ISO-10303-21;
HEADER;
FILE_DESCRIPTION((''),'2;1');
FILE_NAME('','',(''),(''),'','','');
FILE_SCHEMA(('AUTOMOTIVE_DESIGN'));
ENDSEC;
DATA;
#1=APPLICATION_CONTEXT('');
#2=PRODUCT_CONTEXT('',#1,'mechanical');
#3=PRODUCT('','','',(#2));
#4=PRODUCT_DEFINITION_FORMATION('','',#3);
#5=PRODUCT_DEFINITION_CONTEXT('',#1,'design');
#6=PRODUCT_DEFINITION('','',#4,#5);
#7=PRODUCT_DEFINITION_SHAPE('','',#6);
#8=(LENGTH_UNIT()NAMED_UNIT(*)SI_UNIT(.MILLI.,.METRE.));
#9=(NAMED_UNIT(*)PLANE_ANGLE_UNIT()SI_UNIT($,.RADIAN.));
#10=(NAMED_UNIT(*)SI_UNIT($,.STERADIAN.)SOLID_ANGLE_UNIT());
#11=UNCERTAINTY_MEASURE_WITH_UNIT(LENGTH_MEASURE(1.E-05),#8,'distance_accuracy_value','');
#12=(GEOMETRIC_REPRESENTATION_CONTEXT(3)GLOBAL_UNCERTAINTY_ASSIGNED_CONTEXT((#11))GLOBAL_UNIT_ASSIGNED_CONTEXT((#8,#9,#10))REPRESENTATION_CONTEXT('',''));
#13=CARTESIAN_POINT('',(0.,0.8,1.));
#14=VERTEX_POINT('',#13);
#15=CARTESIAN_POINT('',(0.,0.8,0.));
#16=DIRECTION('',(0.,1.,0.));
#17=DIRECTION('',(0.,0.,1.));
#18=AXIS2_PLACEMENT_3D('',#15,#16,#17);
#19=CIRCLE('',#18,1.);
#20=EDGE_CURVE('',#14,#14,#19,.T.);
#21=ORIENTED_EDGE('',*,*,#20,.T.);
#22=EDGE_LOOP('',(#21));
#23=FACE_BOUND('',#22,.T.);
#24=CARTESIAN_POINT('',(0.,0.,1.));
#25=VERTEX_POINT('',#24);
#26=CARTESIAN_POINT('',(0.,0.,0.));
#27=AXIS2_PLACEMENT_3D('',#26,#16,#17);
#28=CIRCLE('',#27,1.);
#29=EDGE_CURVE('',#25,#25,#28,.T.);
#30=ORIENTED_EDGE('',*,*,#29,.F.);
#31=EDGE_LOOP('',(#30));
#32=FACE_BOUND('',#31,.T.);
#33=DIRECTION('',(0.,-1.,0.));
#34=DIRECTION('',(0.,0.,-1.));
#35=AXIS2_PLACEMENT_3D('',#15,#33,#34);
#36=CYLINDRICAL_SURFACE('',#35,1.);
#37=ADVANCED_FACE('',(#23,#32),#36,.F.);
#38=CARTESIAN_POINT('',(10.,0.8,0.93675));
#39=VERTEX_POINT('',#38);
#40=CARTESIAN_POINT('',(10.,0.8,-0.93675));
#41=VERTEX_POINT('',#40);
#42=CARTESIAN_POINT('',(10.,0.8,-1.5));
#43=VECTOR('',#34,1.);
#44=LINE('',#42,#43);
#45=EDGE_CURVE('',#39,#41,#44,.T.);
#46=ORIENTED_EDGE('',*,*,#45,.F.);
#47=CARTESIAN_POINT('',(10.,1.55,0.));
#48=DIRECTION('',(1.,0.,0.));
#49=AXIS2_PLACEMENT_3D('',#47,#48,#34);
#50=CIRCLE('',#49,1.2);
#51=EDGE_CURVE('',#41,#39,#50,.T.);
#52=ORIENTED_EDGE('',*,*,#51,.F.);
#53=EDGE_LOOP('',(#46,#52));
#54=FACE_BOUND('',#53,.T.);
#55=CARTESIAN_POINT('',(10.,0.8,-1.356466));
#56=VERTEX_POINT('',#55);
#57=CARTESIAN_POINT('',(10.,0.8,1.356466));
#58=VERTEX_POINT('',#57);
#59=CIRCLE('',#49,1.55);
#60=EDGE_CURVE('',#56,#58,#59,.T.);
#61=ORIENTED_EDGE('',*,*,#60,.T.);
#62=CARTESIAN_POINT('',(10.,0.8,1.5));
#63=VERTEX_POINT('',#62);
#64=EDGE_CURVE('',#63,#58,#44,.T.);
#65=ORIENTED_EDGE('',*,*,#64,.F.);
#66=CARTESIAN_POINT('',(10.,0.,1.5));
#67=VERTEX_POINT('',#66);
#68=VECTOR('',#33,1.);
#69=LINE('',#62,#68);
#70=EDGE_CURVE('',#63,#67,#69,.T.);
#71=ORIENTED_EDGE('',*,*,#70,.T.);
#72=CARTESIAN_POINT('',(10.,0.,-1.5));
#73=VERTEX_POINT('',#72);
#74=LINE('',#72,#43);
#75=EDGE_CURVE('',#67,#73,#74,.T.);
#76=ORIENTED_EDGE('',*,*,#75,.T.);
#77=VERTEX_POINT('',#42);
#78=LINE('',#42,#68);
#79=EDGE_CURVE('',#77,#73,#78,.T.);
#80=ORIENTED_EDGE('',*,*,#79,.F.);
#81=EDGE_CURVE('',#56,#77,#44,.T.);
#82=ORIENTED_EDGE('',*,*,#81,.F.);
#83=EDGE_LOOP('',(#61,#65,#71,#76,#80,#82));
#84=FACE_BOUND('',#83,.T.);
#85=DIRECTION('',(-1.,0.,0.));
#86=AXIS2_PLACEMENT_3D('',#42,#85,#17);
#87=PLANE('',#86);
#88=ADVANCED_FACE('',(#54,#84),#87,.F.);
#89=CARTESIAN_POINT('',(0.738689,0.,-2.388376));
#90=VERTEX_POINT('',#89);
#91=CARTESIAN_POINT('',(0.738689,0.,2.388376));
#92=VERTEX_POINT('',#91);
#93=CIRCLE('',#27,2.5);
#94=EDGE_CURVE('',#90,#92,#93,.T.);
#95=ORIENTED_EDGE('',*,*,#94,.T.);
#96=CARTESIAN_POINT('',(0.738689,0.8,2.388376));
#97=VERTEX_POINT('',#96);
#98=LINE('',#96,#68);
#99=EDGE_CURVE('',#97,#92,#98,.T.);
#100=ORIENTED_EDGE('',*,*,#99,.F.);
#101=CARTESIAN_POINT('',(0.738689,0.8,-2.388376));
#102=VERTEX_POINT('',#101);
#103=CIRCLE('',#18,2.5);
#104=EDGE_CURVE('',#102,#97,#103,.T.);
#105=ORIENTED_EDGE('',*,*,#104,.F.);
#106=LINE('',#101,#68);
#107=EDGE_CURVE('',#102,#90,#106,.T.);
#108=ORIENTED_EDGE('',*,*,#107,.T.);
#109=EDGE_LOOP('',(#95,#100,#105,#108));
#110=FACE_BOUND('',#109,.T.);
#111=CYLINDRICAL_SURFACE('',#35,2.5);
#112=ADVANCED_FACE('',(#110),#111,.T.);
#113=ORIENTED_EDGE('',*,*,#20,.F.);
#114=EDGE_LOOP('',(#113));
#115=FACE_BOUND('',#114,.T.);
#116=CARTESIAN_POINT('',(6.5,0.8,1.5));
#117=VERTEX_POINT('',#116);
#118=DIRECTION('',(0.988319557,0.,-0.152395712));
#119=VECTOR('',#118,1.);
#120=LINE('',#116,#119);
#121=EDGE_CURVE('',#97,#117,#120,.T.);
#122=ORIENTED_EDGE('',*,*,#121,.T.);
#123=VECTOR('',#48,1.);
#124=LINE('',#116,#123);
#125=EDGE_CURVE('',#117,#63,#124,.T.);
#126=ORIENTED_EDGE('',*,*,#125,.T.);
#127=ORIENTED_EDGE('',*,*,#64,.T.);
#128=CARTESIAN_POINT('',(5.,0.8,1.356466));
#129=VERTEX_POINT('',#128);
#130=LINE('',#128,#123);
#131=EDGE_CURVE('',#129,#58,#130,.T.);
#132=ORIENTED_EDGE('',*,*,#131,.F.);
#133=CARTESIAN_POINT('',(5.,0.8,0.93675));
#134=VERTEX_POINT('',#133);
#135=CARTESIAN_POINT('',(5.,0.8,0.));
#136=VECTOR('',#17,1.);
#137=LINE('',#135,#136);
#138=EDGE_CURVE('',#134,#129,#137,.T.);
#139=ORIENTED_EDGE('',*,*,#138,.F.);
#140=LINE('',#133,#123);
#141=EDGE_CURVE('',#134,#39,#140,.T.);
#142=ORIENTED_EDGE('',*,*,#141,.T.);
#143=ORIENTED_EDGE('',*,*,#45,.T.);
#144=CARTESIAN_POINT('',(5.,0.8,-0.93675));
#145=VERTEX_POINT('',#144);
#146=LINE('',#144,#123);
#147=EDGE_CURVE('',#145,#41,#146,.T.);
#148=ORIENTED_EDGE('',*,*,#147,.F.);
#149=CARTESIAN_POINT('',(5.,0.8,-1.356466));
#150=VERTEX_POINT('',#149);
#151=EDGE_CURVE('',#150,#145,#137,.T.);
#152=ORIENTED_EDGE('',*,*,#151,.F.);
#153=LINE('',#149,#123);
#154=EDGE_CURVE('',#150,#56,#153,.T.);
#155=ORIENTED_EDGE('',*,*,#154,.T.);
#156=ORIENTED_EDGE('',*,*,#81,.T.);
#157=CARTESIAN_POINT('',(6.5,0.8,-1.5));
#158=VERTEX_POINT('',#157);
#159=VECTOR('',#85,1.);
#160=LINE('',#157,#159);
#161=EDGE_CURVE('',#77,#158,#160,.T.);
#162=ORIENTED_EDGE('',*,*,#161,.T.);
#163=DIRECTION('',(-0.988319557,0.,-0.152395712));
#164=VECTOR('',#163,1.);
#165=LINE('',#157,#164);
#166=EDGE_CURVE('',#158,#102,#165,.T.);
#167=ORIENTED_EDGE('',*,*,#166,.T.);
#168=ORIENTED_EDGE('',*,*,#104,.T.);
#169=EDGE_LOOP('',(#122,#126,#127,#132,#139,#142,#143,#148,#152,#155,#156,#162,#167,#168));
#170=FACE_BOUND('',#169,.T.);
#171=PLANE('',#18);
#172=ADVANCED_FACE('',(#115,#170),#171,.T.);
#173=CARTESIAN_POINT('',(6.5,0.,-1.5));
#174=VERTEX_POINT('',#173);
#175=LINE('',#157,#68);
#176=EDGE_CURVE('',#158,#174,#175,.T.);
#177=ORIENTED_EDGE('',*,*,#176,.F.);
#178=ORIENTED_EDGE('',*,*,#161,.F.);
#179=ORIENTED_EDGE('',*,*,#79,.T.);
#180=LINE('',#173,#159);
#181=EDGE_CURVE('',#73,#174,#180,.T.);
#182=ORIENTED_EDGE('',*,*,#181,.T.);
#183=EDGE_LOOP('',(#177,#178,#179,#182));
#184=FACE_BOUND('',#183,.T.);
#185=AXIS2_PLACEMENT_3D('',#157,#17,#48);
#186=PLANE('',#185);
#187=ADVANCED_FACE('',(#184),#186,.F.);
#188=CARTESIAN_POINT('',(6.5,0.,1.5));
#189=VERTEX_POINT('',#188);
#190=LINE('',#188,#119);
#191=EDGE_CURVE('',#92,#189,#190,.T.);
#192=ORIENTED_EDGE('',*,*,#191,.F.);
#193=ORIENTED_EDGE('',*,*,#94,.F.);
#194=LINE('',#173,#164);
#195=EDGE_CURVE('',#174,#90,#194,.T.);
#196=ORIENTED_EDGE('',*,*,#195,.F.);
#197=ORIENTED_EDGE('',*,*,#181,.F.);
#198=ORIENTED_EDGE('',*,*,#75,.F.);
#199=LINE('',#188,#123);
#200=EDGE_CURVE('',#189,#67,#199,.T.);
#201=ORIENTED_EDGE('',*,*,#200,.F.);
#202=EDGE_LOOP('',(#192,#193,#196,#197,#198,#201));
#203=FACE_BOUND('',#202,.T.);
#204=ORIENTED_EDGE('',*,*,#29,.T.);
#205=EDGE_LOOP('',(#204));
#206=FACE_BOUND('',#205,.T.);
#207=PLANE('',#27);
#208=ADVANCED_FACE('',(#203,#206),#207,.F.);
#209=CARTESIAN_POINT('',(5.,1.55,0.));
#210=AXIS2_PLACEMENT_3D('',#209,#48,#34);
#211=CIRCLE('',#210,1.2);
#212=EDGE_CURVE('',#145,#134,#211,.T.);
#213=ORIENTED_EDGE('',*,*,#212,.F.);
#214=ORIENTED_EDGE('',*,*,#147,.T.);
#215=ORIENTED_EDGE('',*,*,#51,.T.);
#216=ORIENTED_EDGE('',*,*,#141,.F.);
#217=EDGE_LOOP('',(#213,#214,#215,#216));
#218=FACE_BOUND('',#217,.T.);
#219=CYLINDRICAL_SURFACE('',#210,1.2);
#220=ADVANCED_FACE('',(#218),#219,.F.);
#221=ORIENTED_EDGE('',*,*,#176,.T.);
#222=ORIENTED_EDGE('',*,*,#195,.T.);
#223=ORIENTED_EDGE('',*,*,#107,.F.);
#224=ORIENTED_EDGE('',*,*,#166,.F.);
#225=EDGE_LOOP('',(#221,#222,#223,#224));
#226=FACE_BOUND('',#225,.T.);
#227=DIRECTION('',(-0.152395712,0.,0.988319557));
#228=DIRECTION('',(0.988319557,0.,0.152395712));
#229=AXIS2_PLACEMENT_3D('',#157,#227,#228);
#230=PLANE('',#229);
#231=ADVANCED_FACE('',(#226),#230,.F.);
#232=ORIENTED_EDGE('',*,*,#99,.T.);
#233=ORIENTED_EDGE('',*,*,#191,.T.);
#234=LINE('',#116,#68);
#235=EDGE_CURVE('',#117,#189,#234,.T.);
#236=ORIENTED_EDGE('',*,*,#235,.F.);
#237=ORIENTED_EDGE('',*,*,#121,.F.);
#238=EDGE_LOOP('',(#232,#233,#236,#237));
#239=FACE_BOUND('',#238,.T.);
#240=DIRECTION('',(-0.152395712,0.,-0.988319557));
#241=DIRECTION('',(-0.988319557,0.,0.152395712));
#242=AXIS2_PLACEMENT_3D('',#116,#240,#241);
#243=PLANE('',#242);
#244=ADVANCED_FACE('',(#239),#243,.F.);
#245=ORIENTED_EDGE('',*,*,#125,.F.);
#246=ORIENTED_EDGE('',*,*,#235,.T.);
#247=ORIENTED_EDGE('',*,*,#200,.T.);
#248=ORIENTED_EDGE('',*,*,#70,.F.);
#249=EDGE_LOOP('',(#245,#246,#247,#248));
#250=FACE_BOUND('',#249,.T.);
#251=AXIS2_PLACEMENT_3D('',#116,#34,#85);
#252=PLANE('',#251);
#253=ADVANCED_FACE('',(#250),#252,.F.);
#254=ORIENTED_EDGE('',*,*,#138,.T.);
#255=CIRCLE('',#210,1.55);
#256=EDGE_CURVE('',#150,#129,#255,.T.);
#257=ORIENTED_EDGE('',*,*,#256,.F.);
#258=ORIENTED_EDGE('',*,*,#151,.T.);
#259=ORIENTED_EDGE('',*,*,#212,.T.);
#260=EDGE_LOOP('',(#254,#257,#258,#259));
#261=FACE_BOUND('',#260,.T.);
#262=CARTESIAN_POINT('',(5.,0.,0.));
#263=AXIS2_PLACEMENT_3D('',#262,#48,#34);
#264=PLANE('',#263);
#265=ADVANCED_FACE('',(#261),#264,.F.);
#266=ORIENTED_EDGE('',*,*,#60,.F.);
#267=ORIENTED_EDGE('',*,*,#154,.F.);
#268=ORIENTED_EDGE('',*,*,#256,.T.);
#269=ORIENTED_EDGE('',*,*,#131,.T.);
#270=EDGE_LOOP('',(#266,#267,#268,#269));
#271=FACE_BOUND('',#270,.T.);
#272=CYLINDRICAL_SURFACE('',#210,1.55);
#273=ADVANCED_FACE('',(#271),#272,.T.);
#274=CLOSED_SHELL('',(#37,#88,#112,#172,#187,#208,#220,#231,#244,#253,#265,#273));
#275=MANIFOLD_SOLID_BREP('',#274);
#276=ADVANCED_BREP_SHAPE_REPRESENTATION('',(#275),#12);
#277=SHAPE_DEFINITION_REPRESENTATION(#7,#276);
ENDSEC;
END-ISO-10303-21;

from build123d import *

# Parameters (mm, degrees)
SKETCH1_R           = 1
BOSS_EXTRUDE1_DEPTH = 0.8
BOSS_EXTRUDE4_DEPTH = 5


with BuildPart() as part:
    # Sketch1 → Boss-Extrude1 (new body)
    with BuildSketch(Plane(origin=(0, 0, 0), x_dir=(1, 0, 0), z_dir=(0, 1, 0))):
        with BuildLine():
            Line((6.5, 1.5), (0.738689027, 2.388375708))
            ThreePointArc((0.738689027, 2.388375708), (-2.5, 0), (0.738689027, -2.388375708))
            Line((0.738689027, -2.388375708), (6.5, -1.5))
            Line((6.5, -1.5), (10, -1.5))
            Line((10, -1.5), (10, 1.5))
            Line((10, 1.5), (6.5, 1.5))
        make_face()
        with Locations(Location((0, 0, 0), (0, 0, 270))):
            Circle(SKETCH1_R, mode=Mode.SUBTRACT)
    extrude(amount=BOSS_EXTRUDE1_DEPTH)

    # Sketch5 → Boss-Extrude4 (add)
    with BuildSketch(Plane(origin=(10, 0, 0), x_dir=(0, 0, -1), z_dir=(1, 0, 0))):
        with BuildLine():
            ThreePointArc((1.356465997, 0.8), (1.500836816, 1.162716057), (1.55, 1.55))
            ThreePointArc((1.55, 1.55), (-0.387283943, 3.050836816), (-1.356465997, 0.8))
            Line((-1.356465997, 0.8), (-0.9367497, 0.8))
            ThreePointArc((-0.9367497, 0.8), (-0.397429466, 2.682276388), (1.2, 1.55))
            ThreePointArc((1.2, 1.55), (1.132276388, 1.152570534), (0.9367497, 0.8))
            Line((0.9367497, 0.8), (1.356465997, 0.8))
        make_face()
        with BuildLine():
            Line((-0.9367497, 0.8), (-1.356465997, 0.8))
            ThreePointArc((-1.356465997, 0.8), (0, 0), (1.356465997, 0.8))
            Line((1.356465997, 0.8), (0.9367497, 0.8))
            ThreePointArc((0.9367497, 0.8), (0, 0.35), (-0.9367497, 0.8))
        make_face()
    extrude(amount=-BOSS_EXTRUDE4_DEPTH)


solid = part.part
